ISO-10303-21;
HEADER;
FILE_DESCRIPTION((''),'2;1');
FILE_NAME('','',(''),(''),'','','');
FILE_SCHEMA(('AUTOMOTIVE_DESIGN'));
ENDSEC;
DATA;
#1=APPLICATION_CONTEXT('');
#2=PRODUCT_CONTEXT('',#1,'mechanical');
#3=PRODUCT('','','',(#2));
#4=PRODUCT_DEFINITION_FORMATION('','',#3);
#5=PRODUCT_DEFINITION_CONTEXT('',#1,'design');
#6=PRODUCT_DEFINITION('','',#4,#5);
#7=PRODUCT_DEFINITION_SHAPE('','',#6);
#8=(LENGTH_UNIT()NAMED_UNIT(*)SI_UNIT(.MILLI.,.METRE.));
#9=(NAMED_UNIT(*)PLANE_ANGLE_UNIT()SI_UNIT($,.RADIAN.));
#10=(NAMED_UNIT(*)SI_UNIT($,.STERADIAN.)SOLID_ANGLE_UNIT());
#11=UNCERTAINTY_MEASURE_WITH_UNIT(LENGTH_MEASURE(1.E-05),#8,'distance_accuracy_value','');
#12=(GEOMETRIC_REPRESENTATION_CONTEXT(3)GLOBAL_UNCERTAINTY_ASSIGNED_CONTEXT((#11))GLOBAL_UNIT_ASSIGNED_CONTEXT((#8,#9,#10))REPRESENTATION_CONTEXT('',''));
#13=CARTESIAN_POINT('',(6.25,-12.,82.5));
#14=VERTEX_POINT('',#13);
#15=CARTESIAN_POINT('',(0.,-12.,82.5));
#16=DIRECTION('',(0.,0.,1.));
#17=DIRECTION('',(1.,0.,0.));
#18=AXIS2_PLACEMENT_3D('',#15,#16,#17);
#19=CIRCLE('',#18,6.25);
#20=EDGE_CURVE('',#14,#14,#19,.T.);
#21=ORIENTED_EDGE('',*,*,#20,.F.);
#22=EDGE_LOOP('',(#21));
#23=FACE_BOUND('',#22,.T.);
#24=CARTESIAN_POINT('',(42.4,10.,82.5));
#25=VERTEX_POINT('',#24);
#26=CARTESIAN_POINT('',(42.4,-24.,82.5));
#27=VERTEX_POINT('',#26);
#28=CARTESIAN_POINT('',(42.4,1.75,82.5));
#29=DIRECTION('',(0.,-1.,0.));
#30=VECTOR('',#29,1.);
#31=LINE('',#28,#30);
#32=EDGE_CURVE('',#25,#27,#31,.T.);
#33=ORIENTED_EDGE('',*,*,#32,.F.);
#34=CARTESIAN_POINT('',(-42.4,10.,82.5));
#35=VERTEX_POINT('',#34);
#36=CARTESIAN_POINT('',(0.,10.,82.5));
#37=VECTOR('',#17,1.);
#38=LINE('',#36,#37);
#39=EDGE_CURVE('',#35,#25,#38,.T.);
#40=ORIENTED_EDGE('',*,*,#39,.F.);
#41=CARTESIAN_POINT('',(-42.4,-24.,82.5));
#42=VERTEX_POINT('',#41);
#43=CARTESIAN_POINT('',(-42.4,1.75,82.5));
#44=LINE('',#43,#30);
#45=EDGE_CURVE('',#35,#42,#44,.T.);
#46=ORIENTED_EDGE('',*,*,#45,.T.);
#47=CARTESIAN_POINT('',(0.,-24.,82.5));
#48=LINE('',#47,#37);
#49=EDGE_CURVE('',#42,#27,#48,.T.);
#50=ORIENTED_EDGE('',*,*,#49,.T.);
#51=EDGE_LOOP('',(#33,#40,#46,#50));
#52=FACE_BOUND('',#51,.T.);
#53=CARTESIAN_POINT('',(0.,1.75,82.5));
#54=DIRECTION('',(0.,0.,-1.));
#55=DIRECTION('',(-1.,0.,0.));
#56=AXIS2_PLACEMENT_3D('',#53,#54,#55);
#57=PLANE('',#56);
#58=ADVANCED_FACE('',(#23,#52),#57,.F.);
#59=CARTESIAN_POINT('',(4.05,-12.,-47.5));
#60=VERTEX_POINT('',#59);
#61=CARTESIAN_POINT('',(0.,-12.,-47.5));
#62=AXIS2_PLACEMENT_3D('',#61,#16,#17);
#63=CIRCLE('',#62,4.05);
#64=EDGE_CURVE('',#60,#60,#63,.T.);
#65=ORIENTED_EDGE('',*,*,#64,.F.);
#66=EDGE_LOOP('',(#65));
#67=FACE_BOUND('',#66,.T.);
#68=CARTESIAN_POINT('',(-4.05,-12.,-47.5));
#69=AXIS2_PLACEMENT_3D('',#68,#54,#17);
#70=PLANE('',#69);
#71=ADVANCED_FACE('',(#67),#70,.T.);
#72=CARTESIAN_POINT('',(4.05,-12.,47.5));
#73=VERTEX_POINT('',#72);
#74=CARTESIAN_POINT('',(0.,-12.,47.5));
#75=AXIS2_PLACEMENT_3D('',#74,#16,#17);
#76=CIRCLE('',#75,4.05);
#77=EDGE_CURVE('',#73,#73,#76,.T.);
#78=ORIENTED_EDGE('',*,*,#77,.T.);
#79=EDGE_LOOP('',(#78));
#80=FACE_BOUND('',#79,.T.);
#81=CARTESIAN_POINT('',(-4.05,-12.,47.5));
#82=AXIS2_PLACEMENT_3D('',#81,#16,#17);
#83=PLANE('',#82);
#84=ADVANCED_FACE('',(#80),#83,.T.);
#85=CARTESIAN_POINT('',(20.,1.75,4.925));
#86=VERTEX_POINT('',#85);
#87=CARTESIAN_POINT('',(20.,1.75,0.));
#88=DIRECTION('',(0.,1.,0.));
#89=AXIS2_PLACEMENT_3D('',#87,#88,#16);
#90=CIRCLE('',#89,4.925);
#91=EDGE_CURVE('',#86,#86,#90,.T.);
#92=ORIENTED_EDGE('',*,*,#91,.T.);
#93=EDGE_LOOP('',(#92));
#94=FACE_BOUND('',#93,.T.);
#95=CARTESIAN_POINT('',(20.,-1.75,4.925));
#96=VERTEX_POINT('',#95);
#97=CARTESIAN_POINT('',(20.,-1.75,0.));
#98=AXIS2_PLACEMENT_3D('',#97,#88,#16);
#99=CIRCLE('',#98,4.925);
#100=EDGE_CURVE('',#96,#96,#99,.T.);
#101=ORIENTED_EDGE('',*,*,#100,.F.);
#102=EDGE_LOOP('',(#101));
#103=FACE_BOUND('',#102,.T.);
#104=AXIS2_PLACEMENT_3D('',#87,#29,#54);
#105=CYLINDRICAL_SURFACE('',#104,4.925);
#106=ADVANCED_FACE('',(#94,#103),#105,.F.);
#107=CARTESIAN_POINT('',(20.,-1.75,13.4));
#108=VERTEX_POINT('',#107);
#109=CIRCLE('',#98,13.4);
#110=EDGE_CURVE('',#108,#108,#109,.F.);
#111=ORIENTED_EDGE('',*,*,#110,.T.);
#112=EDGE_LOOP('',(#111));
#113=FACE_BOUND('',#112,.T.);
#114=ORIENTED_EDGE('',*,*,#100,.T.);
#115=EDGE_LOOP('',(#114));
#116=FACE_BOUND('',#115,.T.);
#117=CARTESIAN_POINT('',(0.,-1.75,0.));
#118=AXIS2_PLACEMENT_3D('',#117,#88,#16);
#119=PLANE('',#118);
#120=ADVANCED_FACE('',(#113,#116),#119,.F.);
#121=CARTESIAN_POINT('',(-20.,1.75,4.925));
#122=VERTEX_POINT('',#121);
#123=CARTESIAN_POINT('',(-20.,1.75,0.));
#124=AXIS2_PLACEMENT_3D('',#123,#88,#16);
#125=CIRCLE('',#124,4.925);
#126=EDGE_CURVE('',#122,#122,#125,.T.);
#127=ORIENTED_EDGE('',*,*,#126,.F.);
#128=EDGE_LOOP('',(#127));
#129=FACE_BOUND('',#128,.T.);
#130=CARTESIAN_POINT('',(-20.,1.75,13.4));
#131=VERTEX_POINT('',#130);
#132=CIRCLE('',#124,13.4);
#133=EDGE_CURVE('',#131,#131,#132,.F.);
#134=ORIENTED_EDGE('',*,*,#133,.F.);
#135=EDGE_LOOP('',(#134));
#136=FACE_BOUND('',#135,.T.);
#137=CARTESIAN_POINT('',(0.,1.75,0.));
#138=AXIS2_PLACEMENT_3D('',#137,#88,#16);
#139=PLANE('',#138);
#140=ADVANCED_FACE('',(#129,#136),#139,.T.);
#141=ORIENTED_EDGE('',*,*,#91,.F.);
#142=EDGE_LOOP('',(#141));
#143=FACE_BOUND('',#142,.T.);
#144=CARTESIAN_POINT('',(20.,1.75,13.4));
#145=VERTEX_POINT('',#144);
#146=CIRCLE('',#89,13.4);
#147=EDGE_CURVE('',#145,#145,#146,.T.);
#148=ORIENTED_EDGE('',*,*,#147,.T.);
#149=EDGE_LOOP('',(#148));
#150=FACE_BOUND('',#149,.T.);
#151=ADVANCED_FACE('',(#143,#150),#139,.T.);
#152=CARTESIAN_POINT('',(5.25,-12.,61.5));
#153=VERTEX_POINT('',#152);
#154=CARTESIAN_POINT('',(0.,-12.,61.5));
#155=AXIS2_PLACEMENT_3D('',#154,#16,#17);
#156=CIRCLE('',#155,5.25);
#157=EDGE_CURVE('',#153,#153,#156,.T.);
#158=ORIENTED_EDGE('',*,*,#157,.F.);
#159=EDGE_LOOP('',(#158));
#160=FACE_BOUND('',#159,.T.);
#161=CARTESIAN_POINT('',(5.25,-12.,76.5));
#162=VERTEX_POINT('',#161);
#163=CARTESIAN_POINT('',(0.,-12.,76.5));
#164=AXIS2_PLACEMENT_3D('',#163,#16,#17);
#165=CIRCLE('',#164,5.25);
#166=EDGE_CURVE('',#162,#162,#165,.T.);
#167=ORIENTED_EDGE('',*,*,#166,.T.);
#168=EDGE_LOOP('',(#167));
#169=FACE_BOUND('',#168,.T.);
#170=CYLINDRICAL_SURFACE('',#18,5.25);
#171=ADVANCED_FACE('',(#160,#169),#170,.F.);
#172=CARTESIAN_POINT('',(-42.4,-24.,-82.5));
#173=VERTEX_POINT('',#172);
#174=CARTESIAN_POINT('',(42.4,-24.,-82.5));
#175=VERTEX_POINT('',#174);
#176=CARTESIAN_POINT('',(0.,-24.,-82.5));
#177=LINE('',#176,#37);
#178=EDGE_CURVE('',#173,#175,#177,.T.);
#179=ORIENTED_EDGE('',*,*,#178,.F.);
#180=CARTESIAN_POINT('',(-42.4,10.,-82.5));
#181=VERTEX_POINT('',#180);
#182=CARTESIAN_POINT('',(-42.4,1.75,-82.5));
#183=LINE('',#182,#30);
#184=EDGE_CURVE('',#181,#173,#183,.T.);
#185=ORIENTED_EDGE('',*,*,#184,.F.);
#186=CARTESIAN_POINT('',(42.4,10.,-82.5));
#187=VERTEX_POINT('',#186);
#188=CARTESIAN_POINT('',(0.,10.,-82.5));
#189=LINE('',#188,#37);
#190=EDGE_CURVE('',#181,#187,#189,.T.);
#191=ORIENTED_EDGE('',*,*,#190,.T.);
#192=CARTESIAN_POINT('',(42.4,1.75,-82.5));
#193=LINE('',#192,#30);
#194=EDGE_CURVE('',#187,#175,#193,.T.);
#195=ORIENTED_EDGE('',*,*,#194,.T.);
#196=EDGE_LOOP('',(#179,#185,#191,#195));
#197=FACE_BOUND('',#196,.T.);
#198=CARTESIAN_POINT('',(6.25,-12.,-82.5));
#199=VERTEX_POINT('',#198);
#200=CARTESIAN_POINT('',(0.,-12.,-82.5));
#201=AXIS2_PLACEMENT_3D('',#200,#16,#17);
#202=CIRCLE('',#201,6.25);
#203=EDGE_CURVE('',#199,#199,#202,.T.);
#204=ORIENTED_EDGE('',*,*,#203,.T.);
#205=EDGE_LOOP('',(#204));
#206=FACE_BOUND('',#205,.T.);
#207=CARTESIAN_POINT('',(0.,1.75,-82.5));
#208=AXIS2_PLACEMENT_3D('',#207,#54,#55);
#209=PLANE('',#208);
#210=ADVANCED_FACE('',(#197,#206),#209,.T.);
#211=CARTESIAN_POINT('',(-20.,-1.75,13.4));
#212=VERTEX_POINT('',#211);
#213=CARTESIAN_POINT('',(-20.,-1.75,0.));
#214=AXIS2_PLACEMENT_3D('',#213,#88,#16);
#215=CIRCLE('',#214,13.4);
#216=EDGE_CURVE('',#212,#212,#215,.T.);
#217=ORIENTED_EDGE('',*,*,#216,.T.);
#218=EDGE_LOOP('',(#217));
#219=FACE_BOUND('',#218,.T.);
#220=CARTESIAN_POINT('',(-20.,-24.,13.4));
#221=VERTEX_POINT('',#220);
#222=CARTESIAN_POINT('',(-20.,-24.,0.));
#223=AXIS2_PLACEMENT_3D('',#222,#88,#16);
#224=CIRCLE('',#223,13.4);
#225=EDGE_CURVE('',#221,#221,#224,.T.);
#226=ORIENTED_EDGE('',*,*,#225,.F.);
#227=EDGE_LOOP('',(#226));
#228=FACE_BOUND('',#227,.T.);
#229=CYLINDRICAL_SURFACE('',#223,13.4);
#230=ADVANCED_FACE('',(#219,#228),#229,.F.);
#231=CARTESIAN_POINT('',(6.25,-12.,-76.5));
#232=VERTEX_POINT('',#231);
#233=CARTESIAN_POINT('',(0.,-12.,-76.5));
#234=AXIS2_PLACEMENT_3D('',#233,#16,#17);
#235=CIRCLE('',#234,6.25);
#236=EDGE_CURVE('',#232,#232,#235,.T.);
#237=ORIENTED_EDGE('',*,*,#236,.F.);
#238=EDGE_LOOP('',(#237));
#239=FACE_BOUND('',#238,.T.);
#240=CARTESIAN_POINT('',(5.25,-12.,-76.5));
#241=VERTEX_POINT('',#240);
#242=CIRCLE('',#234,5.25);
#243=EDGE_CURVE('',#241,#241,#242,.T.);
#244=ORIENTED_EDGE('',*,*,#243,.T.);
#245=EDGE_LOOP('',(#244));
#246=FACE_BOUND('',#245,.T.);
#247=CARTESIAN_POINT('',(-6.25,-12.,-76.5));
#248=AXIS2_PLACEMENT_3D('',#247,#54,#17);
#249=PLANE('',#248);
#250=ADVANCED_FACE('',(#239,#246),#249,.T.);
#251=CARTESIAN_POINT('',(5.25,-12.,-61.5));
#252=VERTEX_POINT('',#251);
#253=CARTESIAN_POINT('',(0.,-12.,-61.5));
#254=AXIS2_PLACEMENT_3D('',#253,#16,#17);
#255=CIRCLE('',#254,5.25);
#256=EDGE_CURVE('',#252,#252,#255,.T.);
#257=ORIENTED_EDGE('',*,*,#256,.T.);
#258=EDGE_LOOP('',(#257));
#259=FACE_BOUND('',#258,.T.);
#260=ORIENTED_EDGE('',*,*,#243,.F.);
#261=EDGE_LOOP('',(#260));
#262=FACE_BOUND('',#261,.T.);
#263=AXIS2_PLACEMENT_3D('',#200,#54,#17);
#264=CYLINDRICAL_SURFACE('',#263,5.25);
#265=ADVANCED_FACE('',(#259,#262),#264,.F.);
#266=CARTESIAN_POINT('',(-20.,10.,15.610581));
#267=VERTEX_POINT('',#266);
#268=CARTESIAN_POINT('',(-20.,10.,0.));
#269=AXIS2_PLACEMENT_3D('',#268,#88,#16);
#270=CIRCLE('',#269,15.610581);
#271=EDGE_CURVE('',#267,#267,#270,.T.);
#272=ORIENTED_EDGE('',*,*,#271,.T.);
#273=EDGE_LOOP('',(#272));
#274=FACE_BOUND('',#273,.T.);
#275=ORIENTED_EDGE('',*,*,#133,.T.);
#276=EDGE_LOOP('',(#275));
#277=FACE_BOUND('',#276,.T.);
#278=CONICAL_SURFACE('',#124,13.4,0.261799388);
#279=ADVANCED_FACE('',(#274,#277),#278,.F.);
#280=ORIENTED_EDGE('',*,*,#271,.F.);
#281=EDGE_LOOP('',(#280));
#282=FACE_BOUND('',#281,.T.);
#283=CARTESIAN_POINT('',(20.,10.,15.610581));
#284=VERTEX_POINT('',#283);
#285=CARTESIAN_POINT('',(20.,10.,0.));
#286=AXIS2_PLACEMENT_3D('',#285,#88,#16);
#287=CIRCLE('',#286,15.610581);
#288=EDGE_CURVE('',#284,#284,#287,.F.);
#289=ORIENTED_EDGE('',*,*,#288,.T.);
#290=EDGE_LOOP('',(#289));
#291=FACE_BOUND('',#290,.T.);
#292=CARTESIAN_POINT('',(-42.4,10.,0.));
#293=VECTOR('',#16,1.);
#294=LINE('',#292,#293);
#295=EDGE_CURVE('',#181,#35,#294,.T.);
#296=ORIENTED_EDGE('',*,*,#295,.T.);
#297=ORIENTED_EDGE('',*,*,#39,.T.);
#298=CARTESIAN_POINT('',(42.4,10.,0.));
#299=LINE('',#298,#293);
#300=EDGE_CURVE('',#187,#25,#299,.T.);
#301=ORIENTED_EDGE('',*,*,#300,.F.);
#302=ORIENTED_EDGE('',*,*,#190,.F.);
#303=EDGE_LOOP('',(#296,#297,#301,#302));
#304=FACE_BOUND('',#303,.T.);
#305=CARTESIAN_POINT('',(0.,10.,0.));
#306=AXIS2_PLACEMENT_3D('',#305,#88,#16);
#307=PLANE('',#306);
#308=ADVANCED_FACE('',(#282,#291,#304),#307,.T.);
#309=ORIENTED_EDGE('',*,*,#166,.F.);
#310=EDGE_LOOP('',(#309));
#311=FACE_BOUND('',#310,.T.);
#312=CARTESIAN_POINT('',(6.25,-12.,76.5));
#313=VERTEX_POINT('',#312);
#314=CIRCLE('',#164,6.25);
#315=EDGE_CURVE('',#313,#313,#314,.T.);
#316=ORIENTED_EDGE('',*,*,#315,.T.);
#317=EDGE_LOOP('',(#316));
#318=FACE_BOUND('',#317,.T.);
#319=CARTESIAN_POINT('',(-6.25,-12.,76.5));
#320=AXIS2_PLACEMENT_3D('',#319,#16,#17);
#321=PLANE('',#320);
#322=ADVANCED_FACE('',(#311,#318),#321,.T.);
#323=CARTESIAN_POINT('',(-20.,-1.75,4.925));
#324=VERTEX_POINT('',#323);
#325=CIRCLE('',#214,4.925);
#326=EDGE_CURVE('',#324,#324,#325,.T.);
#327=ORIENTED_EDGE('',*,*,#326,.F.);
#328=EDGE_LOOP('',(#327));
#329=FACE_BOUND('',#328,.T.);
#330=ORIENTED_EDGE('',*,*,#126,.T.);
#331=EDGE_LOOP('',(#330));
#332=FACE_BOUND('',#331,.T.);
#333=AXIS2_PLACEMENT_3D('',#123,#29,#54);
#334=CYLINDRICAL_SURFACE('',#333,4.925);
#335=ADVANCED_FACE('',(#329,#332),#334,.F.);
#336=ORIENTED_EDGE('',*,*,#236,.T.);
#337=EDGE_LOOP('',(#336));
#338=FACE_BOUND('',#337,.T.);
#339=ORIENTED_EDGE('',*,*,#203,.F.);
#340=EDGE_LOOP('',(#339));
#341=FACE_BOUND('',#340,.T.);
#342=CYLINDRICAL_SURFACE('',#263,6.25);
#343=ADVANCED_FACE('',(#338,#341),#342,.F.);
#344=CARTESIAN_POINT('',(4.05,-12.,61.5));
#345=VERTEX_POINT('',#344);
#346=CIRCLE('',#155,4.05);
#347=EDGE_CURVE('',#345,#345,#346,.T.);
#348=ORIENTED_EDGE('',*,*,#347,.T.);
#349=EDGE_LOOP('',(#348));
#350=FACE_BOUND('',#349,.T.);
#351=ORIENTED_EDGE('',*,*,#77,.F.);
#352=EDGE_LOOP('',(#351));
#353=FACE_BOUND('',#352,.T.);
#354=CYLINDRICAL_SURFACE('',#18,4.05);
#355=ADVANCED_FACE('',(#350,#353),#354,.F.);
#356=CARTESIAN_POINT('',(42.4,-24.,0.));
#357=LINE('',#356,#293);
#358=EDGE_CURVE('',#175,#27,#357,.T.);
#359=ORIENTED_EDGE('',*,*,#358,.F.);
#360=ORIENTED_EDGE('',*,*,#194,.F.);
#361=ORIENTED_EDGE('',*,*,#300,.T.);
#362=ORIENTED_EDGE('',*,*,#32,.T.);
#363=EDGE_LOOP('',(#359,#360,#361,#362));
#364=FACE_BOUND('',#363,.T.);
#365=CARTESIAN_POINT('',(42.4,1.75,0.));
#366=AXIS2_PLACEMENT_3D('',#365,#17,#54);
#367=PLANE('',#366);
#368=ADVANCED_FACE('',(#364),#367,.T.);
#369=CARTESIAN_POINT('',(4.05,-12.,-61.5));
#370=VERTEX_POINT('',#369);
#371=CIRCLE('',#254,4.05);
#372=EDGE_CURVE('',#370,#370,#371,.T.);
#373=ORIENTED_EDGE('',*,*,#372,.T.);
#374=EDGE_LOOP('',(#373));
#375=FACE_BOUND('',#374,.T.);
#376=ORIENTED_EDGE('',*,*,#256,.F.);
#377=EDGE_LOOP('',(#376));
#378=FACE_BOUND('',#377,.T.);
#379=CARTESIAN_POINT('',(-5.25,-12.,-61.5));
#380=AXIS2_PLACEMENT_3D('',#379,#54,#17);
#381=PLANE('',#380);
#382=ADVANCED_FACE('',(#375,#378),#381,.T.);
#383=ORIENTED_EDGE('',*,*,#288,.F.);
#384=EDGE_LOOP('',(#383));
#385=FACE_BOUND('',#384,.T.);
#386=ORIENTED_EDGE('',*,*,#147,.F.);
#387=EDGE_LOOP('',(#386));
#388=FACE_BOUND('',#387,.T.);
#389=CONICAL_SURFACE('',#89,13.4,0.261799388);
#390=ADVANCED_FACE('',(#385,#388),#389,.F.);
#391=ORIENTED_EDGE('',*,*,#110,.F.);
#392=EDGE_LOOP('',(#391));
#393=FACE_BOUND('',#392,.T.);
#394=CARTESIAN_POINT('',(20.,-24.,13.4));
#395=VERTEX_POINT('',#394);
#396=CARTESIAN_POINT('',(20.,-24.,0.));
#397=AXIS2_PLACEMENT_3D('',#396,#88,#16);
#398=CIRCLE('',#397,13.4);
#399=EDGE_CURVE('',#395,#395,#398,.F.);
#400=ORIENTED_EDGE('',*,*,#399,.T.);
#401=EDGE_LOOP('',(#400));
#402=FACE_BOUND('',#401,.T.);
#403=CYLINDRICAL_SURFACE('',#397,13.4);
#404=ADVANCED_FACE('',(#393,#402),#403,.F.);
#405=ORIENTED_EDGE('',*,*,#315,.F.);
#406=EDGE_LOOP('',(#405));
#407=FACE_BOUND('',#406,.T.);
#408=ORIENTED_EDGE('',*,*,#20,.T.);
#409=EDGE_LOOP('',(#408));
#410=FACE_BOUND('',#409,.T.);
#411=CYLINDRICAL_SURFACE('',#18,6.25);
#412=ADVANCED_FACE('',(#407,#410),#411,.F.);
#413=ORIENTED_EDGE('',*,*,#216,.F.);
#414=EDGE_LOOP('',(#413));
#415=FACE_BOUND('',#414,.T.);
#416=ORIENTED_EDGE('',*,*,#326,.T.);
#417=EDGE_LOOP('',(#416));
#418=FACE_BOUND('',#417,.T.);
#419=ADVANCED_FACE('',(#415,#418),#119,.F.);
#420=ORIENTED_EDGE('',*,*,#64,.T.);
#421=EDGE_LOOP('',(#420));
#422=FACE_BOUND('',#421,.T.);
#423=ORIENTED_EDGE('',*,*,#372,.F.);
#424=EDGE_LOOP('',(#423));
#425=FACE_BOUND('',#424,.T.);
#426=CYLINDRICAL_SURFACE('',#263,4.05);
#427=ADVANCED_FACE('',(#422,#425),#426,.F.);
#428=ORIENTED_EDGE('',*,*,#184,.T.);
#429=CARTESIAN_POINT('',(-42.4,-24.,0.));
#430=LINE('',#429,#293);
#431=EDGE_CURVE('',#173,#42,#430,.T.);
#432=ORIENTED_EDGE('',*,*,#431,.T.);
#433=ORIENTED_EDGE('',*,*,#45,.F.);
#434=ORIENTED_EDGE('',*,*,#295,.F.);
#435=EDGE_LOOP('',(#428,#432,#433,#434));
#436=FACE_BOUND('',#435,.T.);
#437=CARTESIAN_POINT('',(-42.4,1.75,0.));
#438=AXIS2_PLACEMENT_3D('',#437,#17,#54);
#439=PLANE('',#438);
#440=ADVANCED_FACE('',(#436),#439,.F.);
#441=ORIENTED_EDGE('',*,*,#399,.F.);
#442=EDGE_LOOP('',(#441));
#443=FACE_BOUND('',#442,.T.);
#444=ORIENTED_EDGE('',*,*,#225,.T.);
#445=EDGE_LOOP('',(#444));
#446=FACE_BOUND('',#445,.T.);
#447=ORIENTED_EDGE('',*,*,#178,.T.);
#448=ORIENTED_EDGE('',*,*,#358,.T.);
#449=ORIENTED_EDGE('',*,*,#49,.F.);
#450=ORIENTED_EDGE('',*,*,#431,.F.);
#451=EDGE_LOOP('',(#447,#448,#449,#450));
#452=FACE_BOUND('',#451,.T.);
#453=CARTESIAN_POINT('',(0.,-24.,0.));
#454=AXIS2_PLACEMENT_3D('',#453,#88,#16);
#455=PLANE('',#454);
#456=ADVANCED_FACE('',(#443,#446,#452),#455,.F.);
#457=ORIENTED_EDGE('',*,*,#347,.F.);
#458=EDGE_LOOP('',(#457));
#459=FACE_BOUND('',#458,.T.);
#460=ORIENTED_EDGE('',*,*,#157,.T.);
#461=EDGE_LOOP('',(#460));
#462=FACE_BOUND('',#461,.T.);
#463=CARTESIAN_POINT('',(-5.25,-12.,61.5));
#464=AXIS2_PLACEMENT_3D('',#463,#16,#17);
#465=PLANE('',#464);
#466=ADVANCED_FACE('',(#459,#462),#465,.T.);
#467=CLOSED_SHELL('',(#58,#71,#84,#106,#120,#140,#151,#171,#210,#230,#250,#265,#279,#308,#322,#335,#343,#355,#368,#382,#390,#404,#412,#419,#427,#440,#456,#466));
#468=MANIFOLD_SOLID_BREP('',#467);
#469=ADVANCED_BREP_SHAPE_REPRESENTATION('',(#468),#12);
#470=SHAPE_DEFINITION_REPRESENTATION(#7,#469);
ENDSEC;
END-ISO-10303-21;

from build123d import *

# Parameters (mm, degrees)
SKETCH1_W           = 84.8
SKETCH1_H           = 165
SKETCH1_R           = 4.925
BOSS_EXTRUDE1_DEPTH = 1.75
SKETCH1_3_W         = 84.8
SKETCH1_3_H         = 165
SKETCH1_3_R         = 13.4
BOSS_EXTRUDE2_DEPTH = 10
BOSS_EXTRUDE3_START = -24
SKETCH1_4_W         = 84.8
SKETCH1_4_H         = 165
SKETCH1_4_R         = 13.4
BOSS_EXTRUDE3_DEPTH = 24
DRAFT1_ANGLE        = 15


with BuildPart() as part:
    # Sketch1 → Boss-Extrude1 (new, symmetric)
    with BuildSketch(Plane(origin=(0, 0, 0), x_dir=(1, 0, 0), z_dir=(0, 1, 0))):
        Rectangle(SKETCH1_W, SKETCH1_H)
        with Locations((-20, 0)):
            Circle(SKETCH1_R, mode=Mode.SUBTRACT)
        with Locations((20, 0)):
            Circle(SKETCH1_R, mode=Mode.SUBTRACT)
    extrude(amount=BOSS_EXTRUDE1_DEPTH, both=True)

    # Sketch1<3> → Boss-Extrude2 (add)
    with BuildSketch(Plane(origin=(0, 0, 0), x_dir=(1, 0, 0), z_dir=(0, 1, 0))):
        Rectangle(SKETCH1_3_W, SKETCH1_3_H)
        with Locations((-20, 0)):
            Circle(SKETCH1_3_R, mode=Mode.SUBTRACT)
        with Locations((20, 0)):
            Circle(SKETCH1_3_R, mode=Mode.SUBTRACT)
    extrude(amount=BOSS_EXTRUDE2_DEPTH)

    # Sketch1<4> → Boss-Extrude3 (add)
    with BuildSketch(Plane(origin=(0, 0, 0), x_dir=(1, 0, 0), z_dir=(0, 1, 0)).offset(BOSS_EXTRUDE3_START)):
        Rectangle(SKETCH1_4_W, SKETCH1_4_H)
        with Locations((-20, 0)):
            Circle(SKETCH1_4_R, mode=Mode.SUBTRACT)
        with Locations((20, 0)):
            Circle(SKETCH1_4_R, mode=Mode.SUBTRACT)
    extrude(amount=BOSS_EXTRUDE3_DEPTH)

    # Sketch3 → Cut-Revolve1 (revolve, cut)
    with BuildSketch(Plane(origin=(0, -12, 0), x_dir=(1, 0, 0), z_dir=(0, 1, 0))):
        Polygon((-6.25, -82.5), (-6.25, -76.5), (-5.25, -76.5), (-5.25, -61.5), (-4.05, -61.5), (-4.05, -47.5), (0, -47.5), (0, -82.5), align=None)
    cut_revolve1 = revolve(axis=Axis((0, -12, 82.5), (0, 0, -1)), mode=Mode.SUBTRACT)

    # Mirror1: Cut-Revolve1 across plane
    add(cut_revolve1.mirror(Plane.XY), mode=Mode.SUBTRACT)

    # Draft1
    draft1_faces = [part.faces().sort_by_distance(p)[0] for p in [
        (-33.4, 5.875, 0),
        (6.6, 5.875, 0),
    ]]
    draft(draft1_faces, Plane.ZX.offset(1.75), DRAFT1_ANGLE)


solid = part.part
